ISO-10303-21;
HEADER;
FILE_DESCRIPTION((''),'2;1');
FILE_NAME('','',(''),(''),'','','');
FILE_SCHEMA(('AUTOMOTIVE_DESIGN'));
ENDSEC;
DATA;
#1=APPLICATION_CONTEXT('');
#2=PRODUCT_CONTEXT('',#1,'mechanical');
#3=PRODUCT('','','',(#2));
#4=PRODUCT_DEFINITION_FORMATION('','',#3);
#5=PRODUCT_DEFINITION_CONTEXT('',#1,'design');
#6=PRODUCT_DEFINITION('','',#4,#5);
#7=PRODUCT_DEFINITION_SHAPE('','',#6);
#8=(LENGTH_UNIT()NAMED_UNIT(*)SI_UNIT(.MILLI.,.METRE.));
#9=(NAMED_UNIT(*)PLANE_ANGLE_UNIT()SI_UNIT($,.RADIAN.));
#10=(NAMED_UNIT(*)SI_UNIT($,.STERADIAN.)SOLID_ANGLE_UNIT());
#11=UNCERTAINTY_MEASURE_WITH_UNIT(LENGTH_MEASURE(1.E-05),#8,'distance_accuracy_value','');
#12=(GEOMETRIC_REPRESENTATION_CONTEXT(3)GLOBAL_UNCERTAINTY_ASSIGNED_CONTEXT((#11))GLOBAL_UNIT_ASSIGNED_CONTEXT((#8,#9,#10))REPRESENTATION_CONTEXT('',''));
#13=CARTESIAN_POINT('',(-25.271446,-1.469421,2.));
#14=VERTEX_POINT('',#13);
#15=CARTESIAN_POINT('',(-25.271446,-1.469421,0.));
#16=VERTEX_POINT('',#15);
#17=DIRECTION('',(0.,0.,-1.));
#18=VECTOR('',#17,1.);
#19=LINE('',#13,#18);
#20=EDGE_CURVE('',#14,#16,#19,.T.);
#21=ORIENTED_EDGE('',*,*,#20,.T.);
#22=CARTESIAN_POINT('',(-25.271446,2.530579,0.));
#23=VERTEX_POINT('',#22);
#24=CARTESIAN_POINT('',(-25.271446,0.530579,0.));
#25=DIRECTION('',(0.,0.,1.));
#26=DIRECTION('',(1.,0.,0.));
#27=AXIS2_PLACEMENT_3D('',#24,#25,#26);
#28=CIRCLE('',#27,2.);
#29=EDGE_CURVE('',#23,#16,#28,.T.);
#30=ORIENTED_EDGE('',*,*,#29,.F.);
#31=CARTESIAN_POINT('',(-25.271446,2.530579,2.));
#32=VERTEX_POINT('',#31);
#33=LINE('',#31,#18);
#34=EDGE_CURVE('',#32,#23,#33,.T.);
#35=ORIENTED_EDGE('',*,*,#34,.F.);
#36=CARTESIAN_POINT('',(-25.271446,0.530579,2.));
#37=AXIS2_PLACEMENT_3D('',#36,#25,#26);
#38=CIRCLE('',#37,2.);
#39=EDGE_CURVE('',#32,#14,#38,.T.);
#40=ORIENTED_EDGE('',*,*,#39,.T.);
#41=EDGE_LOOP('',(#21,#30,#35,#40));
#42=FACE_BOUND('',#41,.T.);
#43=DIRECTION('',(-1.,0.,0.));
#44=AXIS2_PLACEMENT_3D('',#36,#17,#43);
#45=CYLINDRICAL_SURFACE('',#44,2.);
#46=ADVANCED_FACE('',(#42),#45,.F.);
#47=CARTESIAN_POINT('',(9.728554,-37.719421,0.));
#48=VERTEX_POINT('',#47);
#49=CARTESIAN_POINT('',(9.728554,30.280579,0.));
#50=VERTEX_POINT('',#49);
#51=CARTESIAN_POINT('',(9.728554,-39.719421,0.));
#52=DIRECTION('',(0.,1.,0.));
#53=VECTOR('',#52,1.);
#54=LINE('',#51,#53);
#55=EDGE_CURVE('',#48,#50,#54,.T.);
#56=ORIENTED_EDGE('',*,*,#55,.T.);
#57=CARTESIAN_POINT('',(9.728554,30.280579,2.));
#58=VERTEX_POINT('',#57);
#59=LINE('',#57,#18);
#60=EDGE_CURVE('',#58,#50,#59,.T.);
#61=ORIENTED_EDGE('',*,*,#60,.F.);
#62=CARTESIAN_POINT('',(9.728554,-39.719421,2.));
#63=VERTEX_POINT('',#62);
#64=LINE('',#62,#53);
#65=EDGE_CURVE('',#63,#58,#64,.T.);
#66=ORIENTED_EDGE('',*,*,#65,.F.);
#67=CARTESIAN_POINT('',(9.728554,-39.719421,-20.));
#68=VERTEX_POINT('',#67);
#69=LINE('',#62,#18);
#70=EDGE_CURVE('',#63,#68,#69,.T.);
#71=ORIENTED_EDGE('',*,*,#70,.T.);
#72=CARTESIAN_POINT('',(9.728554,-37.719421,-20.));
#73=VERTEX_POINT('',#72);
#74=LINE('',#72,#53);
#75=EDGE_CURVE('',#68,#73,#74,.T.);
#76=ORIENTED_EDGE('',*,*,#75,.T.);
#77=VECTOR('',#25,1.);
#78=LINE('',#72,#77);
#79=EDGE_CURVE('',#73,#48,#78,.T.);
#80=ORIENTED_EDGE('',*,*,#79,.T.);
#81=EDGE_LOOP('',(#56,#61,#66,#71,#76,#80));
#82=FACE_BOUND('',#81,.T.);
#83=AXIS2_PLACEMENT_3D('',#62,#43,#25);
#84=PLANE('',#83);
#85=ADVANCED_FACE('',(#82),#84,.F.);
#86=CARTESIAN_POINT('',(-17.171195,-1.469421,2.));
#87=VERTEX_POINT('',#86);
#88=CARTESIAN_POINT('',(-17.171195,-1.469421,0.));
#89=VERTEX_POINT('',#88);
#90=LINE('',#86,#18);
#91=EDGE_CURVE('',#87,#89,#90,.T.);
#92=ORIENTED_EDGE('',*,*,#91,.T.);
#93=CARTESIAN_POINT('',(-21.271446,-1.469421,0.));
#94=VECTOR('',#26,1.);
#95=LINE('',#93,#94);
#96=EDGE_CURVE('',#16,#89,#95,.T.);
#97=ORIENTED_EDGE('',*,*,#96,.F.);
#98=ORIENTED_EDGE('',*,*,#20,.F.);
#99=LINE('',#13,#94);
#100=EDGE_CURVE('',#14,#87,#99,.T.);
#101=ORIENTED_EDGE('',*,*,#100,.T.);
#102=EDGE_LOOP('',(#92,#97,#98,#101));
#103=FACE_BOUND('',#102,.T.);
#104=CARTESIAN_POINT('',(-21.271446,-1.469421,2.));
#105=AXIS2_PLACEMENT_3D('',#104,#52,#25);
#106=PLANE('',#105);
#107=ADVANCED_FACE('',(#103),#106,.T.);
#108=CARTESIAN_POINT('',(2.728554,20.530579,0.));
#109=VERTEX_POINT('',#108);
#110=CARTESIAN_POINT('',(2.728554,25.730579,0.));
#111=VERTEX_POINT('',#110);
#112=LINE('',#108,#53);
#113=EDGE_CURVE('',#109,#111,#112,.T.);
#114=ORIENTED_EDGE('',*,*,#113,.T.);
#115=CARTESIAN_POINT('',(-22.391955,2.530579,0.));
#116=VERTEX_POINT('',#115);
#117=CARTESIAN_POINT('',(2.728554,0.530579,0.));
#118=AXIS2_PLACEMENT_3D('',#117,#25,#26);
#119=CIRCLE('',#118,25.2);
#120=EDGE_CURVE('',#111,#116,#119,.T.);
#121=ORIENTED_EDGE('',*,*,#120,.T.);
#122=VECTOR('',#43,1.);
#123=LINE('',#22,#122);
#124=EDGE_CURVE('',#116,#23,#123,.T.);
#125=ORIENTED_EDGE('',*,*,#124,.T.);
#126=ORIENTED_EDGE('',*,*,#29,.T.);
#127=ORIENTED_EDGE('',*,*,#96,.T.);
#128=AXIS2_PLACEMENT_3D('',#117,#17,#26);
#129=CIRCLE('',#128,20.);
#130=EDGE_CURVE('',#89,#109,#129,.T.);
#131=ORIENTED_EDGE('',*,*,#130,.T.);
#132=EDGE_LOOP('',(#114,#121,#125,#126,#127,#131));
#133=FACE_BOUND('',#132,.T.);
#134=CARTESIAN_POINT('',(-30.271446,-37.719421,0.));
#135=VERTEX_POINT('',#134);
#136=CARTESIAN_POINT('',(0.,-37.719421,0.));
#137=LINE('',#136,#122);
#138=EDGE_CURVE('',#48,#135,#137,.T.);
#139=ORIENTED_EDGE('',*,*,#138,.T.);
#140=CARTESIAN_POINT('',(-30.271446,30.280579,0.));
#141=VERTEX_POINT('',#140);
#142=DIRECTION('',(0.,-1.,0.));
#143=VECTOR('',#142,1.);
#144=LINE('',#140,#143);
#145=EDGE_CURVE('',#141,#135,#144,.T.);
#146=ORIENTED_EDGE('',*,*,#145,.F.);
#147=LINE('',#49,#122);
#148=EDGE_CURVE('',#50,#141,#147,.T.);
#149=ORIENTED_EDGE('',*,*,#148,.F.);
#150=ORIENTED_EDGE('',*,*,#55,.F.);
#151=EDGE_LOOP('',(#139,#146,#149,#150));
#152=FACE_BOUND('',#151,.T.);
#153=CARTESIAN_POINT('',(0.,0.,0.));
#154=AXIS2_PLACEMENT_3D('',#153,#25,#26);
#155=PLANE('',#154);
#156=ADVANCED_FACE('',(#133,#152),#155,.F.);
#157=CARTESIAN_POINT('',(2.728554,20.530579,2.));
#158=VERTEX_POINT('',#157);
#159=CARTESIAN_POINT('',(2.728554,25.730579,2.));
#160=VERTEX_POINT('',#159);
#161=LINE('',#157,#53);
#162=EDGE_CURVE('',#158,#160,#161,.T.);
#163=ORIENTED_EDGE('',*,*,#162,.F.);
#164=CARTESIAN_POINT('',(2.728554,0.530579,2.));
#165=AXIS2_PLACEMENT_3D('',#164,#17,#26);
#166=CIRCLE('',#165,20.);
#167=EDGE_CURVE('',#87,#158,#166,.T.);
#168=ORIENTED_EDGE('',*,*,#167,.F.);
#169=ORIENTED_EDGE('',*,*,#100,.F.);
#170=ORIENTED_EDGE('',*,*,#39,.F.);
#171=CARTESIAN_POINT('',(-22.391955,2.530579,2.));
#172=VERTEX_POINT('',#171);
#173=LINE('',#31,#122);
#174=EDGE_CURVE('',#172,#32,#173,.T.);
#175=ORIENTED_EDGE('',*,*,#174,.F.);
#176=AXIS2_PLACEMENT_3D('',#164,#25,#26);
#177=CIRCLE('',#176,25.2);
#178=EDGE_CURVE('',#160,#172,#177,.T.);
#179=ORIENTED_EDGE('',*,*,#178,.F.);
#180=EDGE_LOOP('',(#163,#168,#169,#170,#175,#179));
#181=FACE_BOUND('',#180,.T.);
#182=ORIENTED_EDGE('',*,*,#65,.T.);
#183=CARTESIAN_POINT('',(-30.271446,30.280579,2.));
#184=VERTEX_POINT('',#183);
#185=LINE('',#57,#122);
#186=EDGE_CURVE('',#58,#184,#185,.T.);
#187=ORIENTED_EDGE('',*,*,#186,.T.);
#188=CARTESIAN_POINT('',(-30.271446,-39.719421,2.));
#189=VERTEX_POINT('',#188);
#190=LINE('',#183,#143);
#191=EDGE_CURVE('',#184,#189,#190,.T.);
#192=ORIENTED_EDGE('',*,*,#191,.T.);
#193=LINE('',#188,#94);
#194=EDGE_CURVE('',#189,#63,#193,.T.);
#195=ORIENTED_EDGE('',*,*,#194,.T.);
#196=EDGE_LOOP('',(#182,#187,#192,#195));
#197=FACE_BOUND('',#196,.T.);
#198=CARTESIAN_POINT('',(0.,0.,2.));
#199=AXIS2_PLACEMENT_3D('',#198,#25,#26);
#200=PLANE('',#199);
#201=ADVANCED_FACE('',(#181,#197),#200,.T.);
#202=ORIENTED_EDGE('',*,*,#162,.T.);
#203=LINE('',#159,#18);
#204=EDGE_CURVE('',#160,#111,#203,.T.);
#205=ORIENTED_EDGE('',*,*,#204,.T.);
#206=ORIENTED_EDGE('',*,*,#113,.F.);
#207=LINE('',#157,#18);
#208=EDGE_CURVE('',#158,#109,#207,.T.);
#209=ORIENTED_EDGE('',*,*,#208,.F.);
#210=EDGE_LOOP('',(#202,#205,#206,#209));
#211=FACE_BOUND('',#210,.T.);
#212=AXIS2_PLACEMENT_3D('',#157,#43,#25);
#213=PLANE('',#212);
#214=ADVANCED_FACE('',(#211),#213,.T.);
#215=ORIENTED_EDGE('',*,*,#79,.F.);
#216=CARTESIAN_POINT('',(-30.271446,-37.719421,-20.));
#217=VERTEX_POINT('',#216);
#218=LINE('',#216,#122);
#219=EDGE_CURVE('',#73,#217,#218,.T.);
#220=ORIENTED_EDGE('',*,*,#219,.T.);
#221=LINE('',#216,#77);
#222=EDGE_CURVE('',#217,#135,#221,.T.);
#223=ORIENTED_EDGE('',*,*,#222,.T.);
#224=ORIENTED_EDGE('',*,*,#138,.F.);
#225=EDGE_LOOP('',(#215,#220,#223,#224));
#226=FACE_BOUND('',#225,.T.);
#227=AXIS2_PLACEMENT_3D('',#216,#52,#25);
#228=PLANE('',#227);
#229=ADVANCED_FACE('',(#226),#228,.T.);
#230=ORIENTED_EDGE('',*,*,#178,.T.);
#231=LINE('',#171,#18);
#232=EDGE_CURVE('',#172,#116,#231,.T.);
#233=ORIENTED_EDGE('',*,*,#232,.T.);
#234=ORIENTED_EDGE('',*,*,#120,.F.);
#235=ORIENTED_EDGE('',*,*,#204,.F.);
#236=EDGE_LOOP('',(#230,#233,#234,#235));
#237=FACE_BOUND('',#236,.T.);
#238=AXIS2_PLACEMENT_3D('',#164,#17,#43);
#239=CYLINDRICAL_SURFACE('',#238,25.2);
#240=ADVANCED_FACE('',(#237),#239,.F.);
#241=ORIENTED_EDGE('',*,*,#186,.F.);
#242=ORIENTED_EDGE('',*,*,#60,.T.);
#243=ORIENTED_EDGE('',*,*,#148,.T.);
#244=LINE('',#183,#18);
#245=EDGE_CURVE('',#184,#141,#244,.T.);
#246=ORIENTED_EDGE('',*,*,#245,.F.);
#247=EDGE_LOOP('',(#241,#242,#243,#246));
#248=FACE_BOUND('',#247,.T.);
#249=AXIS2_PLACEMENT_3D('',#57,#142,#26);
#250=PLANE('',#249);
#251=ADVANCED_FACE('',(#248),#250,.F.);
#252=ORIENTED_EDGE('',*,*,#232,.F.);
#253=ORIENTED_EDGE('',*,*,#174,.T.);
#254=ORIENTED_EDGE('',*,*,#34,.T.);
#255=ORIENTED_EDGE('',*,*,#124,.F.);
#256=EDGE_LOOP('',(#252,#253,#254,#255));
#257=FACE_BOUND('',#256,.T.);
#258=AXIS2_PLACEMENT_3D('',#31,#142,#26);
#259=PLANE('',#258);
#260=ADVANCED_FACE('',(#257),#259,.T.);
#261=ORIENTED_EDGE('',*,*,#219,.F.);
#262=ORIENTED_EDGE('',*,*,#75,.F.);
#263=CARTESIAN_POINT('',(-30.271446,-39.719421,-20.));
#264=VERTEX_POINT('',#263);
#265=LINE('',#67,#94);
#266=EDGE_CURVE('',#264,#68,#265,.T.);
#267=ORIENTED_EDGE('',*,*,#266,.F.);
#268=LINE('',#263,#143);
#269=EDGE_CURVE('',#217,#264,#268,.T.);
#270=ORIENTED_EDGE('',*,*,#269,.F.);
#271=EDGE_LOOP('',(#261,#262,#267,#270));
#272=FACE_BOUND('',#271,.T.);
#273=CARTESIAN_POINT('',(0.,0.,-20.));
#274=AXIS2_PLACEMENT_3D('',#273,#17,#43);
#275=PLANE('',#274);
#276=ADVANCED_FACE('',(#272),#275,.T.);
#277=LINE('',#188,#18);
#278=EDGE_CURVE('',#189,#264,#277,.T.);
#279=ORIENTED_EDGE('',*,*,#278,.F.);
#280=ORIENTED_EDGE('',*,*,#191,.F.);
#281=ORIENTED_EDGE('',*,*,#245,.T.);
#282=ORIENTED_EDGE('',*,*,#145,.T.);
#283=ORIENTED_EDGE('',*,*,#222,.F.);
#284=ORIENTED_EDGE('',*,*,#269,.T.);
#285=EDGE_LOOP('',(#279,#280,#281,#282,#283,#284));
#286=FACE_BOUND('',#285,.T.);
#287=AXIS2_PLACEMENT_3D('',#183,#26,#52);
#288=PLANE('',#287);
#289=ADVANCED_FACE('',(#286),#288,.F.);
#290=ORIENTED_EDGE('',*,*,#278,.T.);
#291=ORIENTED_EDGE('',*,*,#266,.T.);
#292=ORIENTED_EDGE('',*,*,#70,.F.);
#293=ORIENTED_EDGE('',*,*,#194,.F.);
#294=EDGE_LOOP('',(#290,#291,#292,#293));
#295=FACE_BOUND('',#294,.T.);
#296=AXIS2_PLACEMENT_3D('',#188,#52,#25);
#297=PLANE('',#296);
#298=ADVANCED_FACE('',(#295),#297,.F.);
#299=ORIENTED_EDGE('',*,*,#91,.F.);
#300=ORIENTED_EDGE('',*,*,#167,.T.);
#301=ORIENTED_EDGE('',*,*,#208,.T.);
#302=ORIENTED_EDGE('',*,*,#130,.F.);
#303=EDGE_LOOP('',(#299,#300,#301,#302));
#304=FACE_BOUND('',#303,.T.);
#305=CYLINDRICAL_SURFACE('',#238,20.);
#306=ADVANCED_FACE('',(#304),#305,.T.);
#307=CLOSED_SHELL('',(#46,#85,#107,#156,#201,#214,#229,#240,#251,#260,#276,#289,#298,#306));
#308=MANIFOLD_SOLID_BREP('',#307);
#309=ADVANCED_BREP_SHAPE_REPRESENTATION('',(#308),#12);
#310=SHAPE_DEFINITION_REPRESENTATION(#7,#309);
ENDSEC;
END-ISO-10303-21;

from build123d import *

# Parameters (mm, degrees)
SKETCH_1_W      = 40
SKETCH_1_H      = 70
EXTRUDE_1_DEPTH = 2
SKETCH_2_W      = 40
SKETCH_2_H      = 2
EXTRUDE_2_DEPTH = 22


with BuildPart() as part:
    # 草图1 → 凸台-拉伸1 (new body)
    with BuildSketch(Plane.XY):
        with Locations((-10.271445819, -4.719420773)):
            Rectangle(SKETCH_1_W, SKETCH_1_H)
        with BuildLine():
            Line((-25.271445819, -1.469420773), (-21.271445819, -1.469420773))
            Line((-21.271445819, -1.469420773), (-17.171194561, -1.469420773))
            ThreePointArc((-17.171194561, -1.469420773), (-12.103842793, 13.946987092), (2.728554181, 20.530579227))
            Line((2.728554181, 20.530579227), (2.728554181, 25.730579227))
            ThreePointArc((2.728554181, 25.730579227), (-14.368814038, 19.043277572), (-22.391955368, 2.530579227))
            Line((-22.391955368, 2.530579227), (-25.271445819, 2.530579227))
            ThreePointArc((-25.271445819, 2.530579227), (-27.271445819, 0.530579227), (-25.271445819, -1.469420773))
        make_face(mode=Mode.SUBTRACT)
    extrude(amount=EXTRUDE_1_DEPTH)

    # 草图2 → 凸台-拉伸2 (add)
    with BuildSketch(Plane.XY.offset(2)):
        with Locations((-10.271445819, -38.719420773)):
            Rectangle(SKETCH_2_W, SKETCH_2_H)
    extrude(amount=-EXTRUDE_2_DEPTH)


solid = part.part
